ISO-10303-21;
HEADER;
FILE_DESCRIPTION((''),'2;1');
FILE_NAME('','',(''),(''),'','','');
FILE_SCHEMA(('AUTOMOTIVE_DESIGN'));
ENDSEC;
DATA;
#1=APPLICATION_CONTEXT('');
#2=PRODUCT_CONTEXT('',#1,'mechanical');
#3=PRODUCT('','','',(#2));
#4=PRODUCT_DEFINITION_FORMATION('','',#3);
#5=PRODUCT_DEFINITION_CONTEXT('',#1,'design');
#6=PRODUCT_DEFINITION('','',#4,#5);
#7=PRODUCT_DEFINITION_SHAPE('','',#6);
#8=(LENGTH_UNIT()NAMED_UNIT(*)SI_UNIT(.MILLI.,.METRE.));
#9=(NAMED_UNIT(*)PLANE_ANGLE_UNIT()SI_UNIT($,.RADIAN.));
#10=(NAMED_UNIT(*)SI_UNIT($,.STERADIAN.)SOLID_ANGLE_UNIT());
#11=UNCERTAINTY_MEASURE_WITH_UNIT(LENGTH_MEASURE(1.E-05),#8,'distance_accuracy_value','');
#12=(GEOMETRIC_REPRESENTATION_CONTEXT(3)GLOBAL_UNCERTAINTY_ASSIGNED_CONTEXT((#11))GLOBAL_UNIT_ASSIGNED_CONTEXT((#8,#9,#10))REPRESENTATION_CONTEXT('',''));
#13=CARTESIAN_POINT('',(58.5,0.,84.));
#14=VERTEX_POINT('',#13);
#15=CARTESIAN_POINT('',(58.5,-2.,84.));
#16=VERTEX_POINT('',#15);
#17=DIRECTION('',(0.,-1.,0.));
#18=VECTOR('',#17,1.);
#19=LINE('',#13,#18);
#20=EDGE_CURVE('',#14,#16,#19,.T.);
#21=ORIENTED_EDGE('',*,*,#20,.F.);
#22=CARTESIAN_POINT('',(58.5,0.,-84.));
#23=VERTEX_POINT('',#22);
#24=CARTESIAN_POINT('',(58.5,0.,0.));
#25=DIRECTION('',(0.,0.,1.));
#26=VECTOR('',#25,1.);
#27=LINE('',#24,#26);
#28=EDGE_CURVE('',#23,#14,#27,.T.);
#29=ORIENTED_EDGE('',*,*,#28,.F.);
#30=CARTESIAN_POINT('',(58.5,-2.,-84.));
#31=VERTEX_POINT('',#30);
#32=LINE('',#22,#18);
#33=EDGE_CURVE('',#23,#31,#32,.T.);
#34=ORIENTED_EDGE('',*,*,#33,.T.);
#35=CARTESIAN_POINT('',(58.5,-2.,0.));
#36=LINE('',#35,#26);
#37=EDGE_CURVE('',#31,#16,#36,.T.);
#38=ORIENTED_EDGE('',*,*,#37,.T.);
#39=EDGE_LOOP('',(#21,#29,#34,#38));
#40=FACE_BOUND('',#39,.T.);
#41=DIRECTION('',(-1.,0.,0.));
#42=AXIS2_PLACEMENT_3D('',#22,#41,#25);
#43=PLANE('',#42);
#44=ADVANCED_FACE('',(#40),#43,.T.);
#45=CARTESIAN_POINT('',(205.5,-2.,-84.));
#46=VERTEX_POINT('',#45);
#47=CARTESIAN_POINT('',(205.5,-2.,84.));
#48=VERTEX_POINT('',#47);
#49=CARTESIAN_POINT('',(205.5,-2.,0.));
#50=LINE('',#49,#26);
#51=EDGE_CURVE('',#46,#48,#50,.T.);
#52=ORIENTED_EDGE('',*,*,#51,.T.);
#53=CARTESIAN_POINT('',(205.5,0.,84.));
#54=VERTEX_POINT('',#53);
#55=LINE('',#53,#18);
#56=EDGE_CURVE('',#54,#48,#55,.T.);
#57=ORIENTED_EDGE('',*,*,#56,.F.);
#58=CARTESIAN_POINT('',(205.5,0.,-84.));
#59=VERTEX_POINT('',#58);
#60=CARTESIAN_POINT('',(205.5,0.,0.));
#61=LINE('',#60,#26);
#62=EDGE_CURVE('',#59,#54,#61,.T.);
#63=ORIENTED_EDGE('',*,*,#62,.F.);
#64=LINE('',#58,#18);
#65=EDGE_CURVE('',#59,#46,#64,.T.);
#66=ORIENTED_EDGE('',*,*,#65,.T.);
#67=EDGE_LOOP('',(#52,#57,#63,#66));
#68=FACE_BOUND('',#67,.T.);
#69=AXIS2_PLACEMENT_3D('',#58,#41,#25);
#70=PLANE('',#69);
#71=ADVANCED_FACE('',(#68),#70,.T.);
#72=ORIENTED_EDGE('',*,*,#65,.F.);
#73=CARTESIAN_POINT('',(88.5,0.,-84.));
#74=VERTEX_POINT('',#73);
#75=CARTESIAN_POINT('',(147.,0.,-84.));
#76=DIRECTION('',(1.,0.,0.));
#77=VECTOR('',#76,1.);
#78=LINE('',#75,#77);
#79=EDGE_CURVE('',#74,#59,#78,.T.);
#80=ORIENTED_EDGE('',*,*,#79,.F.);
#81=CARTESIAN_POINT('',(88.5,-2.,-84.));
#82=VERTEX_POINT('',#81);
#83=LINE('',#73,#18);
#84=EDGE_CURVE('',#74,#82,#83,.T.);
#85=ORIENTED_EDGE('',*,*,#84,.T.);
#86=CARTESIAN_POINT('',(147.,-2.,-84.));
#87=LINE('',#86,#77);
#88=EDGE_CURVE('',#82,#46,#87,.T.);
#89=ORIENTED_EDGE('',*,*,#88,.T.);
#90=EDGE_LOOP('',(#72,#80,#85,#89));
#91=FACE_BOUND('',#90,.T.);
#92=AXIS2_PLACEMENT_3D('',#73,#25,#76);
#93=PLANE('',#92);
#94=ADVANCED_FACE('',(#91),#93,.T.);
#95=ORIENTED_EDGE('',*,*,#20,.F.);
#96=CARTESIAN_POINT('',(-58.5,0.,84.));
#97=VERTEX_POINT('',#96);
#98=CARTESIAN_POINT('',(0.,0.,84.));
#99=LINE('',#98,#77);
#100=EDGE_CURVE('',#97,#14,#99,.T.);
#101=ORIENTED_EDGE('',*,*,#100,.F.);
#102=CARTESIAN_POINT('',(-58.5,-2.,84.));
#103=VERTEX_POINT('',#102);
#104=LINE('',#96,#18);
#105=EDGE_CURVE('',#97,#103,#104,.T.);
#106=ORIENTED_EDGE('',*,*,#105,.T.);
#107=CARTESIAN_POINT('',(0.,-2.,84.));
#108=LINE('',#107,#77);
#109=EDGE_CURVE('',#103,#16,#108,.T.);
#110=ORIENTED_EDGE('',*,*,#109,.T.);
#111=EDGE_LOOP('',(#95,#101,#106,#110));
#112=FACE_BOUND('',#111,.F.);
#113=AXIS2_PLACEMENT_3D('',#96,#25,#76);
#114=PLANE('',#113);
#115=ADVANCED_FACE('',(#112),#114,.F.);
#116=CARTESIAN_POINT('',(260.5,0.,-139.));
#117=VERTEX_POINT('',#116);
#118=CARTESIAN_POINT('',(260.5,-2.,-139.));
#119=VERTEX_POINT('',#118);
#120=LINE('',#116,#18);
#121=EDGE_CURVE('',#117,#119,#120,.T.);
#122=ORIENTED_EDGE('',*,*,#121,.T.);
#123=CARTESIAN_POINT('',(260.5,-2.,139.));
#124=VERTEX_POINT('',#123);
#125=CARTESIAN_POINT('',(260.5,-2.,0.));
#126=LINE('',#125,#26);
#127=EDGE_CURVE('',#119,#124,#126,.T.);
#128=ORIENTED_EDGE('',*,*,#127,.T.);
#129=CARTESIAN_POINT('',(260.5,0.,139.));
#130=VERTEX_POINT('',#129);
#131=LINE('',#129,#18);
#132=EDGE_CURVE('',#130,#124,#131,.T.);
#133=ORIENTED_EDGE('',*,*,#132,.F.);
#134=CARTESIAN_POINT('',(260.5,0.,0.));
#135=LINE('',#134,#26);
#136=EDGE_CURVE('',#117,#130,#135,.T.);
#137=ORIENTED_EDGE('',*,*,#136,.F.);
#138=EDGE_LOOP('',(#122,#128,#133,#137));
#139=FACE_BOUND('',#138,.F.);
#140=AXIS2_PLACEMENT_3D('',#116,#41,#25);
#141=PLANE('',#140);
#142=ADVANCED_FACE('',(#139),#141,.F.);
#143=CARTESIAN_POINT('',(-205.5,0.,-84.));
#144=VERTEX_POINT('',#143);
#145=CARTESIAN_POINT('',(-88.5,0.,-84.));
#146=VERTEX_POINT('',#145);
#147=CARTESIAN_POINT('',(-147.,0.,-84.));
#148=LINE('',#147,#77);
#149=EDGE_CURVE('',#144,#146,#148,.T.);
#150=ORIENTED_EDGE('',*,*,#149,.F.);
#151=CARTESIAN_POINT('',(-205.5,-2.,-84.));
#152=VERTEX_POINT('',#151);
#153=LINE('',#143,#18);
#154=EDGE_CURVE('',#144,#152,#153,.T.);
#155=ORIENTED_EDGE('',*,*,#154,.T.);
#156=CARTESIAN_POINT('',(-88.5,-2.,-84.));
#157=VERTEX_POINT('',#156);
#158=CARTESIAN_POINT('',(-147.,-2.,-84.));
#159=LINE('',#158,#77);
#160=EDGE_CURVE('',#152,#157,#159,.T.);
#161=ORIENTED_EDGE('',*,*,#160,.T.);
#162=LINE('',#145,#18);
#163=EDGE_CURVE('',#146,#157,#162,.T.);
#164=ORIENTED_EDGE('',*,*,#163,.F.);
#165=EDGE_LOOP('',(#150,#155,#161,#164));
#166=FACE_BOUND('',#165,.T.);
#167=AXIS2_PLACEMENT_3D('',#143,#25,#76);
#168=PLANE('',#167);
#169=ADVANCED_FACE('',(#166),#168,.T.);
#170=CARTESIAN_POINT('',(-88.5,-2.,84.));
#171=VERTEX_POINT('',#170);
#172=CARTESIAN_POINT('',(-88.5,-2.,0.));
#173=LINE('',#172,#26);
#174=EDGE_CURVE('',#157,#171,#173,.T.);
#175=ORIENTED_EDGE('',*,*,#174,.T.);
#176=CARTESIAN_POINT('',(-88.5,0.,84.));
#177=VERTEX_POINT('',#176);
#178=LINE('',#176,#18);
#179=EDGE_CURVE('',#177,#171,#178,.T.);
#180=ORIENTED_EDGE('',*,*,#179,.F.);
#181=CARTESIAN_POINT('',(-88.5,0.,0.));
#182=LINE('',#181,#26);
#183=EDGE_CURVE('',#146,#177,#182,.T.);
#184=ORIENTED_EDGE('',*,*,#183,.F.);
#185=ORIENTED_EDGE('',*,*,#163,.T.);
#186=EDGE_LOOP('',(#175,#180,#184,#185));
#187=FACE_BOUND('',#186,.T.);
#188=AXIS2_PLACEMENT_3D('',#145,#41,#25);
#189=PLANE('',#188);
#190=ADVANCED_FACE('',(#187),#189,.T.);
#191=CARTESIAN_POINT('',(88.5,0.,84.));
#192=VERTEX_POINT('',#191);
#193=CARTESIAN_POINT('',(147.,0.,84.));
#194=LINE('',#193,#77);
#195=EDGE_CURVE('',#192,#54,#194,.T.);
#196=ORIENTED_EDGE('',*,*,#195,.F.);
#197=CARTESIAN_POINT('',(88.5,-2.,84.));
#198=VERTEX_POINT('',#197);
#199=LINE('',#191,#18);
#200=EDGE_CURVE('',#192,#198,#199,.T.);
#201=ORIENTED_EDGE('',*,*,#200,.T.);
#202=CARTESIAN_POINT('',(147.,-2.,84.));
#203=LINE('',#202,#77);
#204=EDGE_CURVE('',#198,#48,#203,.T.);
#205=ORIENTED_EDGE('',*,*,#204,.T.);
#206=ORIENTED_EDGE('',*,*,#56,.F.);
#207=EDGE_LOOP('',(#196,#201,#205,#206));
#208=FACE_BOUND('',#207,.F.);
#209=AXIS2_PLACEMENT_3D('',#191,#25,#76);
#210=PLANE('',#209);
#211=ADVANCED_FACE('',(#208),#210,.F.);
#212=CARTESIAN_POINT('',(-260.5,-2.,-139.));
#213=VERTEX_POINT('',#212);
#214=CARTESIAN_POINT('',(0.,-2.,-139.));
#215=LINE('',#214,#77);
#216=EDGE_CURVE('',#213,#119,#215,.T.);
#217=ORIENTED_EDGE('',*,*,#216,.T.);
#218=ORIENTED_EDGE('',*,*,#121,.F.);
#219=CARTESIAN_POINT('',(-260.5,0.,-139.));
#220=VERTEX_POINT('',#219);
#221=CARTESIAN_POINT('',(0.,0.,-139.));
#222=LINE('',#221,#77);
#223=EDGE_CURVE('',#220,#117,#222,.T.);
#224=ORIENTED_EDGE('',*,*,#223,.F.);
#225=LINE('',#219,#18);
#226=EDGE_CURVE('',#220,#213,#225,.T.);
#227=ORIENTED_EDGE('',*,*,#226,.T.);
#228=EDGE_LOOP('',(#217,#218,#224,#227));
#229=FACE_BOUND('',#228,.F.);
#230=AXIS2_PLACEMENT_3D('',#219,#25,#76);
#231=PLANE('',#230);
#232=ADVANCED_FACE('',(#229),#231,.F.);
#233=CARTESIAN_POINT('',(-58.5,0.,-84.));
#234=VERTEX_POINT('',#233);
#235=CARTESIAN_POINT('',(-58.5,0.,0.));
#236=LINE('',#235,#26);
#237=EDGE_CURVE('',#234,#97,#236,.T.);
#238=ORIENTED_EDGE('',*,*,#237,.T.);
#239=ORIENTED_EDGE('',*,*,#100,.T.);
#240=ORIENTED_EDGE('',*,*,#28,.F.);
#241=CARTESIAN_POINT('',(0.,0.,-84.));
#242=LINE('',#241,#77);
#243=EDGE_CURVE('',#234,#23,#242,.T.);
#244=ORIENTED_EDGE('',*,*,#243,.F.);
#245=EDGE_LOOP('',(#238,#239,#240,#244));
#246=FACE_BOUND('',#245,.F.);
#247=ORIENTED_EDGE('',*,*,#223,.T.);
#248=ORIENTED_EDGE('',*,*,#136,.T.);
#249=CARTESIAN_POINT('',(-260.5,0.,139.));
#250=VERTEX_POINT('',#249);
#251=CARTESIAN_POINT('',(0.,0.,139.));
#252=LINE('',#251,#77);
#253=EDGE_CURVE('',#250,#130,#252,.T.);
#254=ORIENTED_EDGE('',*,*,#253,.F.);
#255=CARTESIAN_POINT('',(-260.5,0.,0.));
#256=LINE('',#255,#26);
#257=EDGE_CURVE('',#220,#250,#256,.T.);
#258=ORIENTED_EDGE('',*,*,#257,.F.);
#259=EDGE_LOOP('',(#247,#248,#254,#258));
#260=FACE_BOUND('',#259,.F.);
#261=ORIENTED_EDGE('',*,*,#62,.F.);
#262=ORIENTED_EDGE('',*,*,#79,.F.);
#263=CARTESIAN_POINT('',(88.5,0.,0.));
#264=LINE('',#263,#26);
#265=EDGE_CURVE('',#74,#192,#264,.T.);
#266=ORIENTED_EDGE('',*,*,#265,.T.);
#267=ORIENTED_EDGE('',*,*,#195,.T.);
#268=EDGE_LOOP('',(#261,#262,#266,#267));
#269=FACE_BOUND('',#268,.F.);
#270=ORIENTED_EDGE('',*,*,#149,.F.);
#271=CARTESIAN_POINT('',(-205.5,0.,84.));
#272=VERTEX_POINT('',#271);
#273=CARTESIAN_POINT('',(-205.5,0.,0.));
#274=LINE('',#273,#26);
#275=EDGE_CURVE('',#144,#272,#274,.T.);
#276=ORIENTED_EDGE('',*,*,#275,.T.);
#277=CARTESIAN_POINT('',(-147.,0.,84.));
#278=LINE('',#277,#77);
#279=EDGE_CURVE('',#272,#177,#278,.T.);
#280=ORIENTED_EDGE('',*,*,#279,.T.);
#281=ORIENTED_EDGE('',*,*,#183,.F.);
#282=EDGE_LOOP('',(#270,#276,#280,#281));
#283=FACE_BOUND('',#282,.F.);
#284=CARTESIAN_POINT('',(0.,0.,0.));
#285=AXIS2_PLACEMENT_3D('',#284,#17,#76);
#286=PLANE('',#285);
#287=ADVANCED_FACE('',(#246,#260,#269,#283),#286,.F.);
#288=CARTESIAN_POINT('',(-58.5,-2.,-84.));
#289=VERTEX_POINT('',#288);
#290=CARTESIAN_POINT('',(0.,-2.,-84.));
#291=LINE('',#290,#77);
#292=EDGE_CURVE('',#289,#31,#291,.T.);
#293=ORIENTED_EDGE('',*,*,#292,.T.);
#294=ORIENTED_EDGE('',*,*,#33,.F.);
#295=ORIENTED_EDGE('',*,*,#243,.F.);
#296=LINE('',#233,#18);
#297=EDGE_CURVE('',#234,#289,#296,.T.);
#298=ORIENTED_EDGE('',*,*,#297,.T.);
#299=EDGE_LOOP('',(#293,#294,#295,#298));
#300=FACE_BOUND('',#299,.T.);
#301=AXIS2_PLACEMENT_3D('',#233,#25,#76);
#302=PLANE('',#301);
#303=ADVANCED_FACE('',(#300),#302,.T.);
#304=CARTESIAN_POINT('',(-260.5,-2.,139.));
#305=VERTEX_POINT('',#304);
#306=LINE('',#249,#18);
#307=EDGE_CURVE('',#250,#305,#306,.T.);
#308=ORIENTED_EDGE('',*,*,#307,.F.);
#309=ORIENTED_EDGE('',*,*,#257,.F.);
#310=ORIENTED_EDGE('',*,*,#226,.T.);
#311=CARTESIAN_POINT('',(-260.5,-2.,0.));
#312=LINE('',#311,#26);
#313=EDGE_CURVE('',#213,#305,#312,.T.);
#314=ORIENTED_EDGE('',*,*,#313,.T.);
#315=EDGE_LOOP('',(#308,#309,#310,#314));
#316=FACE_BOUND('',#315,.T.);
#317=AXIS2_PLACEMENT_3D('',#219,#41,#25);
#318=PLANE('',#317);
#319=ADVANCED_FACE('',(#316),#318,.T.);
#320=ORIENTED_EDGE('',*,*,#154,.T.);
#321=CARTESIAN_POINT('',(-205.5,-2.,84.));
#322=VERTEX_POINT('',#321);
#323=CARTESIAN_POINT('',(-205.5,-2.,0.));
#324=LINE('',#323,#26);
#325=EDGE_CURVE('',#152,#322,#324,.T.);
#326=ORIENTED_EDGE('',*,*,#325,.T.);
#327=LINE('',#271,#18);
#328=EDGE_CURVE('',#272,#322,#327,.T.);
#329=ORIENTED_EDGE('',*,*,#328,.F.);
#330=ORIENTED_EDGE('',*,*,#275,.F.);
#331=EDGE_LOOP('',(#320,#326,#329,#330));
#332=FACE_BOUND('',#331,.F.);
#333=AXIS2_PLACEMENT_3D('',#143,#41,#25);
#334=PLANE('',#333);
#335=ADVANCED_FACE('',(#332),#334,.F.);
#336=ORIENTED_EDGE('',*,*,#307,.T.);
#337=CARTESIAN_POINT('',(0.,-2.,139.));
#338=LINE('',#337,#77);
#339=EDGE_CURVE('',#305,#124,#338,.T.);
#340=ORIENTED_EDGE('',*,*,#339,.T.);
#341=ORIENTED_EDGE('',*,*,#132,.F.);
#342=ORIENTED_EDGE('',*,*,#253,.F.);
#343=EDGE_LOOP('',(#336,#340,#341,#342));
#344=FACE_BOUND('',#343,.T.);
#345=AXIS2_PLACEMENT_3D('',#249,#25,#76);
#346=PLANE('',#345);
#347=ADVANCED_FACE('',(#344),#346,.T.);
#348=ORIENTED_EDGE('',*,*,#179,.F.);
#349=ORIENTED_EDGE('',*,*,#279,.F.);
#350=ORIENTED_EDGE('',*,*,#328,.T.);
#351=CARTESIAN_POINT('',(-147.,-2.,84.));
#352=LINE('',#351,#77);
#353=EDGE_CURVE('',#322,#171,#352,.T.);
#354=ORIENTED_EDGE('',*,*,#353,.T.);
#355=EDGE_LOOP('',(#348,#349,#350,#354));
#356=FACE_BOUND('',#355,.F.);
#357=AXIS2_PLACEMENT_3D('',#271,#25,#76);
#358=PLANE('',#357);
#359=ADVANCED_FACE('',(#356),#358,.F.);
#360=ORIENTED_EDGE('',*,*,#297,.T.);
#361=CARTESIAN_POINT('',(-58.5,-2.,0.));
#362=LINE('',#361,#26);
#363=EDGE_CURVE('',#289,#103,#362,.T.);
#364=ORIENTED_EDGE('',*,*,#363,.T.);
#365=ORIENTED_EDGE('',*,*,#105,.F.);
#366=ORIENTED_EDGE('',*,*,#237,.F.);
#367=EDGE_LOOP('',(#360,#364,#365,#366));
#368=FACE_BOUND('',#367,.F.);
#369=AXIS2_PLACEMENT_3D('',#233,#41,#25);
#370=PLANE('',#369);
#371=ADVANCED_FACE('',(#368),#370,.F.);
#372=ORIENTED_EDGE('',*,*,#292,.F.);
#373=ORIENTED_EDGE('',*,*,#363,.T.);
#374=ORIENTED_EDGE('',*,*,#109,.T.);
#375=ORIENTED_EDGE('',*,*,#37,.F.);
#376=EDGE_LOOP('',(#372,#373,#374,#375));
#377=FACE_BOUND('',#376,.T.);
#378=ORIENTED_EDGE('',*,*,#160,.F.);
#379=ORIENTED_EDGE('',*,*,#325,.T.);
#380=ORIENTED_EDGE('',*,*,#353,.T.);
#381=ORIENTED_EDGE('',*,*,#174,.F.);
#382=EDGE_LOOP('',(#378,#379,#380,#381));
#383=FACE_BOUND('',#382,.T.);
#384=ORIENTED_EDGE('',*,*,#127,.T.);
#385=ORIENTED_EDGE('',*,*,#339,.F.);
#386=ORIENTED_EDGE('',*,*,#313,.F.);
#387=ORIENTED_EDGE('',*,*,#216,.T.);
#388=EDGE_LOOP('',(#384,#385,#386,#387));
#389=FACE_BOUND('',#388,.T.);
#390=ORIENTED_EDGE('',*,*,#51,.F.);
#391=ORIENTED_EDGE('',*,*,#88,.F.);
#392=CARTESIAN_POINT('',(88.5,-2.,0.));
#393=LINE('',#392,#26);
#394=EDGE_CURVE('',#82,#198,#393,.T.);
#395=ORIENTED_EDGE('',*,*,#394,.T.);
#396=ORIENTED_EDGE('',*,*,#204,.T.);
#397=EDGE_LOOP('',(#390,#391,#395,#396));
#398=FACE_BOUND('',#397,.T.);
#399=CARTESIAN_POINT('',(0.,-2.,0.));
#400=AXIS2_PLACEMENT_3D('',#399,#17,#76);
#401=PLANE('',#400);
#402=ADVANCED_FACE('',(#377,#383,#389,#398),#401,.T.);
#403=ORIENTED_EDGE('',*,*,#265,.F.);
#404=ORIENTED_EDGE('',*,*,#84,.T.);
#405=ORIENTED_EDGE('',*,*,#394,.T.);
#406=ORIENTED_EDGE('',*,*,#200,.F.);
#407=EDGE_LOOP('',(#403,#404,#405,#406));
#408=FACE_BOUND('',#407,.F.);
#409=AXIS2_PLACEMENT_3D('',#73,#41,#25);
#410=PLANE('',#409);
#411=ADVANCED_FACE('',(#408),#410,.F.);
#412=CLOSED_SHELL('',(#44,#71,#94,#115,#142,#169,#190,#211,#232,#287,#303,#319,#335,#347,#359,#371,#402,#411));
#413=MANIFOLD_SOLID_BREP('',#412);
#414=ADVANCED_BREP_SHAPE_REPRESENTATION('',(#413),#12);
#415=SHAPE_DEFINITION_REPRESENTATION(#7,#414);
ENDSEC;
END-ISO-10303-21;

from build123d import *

# Parameters (mm, degrees)
F0_W     = 521
F0_H     = 278
F0_W_2   = 117
F0_H_2   = 168
F1_DEPTH = 2


with BuildPart() as f1:
    # F0 (on Front) → F1 (new body)
    with BuildSketch(Plane.XZ):
        Rectangle(F0_W, F0_H)
        with Locations((-147, 0)):
            Rectangle(F0_W_2, F0_H_2, mode=Mode.SUBTRACT)
        Rectangle(F0_W_2, F0_H_2, mode=Mode.SUBTRACT)
        with Locations((147, 0)):
            Rectangle(F0_W_2, F0_H_2, mode=Mode.SUBTRACT)
    extrude(amount=F1_DEPTH)


solid = f1.part
